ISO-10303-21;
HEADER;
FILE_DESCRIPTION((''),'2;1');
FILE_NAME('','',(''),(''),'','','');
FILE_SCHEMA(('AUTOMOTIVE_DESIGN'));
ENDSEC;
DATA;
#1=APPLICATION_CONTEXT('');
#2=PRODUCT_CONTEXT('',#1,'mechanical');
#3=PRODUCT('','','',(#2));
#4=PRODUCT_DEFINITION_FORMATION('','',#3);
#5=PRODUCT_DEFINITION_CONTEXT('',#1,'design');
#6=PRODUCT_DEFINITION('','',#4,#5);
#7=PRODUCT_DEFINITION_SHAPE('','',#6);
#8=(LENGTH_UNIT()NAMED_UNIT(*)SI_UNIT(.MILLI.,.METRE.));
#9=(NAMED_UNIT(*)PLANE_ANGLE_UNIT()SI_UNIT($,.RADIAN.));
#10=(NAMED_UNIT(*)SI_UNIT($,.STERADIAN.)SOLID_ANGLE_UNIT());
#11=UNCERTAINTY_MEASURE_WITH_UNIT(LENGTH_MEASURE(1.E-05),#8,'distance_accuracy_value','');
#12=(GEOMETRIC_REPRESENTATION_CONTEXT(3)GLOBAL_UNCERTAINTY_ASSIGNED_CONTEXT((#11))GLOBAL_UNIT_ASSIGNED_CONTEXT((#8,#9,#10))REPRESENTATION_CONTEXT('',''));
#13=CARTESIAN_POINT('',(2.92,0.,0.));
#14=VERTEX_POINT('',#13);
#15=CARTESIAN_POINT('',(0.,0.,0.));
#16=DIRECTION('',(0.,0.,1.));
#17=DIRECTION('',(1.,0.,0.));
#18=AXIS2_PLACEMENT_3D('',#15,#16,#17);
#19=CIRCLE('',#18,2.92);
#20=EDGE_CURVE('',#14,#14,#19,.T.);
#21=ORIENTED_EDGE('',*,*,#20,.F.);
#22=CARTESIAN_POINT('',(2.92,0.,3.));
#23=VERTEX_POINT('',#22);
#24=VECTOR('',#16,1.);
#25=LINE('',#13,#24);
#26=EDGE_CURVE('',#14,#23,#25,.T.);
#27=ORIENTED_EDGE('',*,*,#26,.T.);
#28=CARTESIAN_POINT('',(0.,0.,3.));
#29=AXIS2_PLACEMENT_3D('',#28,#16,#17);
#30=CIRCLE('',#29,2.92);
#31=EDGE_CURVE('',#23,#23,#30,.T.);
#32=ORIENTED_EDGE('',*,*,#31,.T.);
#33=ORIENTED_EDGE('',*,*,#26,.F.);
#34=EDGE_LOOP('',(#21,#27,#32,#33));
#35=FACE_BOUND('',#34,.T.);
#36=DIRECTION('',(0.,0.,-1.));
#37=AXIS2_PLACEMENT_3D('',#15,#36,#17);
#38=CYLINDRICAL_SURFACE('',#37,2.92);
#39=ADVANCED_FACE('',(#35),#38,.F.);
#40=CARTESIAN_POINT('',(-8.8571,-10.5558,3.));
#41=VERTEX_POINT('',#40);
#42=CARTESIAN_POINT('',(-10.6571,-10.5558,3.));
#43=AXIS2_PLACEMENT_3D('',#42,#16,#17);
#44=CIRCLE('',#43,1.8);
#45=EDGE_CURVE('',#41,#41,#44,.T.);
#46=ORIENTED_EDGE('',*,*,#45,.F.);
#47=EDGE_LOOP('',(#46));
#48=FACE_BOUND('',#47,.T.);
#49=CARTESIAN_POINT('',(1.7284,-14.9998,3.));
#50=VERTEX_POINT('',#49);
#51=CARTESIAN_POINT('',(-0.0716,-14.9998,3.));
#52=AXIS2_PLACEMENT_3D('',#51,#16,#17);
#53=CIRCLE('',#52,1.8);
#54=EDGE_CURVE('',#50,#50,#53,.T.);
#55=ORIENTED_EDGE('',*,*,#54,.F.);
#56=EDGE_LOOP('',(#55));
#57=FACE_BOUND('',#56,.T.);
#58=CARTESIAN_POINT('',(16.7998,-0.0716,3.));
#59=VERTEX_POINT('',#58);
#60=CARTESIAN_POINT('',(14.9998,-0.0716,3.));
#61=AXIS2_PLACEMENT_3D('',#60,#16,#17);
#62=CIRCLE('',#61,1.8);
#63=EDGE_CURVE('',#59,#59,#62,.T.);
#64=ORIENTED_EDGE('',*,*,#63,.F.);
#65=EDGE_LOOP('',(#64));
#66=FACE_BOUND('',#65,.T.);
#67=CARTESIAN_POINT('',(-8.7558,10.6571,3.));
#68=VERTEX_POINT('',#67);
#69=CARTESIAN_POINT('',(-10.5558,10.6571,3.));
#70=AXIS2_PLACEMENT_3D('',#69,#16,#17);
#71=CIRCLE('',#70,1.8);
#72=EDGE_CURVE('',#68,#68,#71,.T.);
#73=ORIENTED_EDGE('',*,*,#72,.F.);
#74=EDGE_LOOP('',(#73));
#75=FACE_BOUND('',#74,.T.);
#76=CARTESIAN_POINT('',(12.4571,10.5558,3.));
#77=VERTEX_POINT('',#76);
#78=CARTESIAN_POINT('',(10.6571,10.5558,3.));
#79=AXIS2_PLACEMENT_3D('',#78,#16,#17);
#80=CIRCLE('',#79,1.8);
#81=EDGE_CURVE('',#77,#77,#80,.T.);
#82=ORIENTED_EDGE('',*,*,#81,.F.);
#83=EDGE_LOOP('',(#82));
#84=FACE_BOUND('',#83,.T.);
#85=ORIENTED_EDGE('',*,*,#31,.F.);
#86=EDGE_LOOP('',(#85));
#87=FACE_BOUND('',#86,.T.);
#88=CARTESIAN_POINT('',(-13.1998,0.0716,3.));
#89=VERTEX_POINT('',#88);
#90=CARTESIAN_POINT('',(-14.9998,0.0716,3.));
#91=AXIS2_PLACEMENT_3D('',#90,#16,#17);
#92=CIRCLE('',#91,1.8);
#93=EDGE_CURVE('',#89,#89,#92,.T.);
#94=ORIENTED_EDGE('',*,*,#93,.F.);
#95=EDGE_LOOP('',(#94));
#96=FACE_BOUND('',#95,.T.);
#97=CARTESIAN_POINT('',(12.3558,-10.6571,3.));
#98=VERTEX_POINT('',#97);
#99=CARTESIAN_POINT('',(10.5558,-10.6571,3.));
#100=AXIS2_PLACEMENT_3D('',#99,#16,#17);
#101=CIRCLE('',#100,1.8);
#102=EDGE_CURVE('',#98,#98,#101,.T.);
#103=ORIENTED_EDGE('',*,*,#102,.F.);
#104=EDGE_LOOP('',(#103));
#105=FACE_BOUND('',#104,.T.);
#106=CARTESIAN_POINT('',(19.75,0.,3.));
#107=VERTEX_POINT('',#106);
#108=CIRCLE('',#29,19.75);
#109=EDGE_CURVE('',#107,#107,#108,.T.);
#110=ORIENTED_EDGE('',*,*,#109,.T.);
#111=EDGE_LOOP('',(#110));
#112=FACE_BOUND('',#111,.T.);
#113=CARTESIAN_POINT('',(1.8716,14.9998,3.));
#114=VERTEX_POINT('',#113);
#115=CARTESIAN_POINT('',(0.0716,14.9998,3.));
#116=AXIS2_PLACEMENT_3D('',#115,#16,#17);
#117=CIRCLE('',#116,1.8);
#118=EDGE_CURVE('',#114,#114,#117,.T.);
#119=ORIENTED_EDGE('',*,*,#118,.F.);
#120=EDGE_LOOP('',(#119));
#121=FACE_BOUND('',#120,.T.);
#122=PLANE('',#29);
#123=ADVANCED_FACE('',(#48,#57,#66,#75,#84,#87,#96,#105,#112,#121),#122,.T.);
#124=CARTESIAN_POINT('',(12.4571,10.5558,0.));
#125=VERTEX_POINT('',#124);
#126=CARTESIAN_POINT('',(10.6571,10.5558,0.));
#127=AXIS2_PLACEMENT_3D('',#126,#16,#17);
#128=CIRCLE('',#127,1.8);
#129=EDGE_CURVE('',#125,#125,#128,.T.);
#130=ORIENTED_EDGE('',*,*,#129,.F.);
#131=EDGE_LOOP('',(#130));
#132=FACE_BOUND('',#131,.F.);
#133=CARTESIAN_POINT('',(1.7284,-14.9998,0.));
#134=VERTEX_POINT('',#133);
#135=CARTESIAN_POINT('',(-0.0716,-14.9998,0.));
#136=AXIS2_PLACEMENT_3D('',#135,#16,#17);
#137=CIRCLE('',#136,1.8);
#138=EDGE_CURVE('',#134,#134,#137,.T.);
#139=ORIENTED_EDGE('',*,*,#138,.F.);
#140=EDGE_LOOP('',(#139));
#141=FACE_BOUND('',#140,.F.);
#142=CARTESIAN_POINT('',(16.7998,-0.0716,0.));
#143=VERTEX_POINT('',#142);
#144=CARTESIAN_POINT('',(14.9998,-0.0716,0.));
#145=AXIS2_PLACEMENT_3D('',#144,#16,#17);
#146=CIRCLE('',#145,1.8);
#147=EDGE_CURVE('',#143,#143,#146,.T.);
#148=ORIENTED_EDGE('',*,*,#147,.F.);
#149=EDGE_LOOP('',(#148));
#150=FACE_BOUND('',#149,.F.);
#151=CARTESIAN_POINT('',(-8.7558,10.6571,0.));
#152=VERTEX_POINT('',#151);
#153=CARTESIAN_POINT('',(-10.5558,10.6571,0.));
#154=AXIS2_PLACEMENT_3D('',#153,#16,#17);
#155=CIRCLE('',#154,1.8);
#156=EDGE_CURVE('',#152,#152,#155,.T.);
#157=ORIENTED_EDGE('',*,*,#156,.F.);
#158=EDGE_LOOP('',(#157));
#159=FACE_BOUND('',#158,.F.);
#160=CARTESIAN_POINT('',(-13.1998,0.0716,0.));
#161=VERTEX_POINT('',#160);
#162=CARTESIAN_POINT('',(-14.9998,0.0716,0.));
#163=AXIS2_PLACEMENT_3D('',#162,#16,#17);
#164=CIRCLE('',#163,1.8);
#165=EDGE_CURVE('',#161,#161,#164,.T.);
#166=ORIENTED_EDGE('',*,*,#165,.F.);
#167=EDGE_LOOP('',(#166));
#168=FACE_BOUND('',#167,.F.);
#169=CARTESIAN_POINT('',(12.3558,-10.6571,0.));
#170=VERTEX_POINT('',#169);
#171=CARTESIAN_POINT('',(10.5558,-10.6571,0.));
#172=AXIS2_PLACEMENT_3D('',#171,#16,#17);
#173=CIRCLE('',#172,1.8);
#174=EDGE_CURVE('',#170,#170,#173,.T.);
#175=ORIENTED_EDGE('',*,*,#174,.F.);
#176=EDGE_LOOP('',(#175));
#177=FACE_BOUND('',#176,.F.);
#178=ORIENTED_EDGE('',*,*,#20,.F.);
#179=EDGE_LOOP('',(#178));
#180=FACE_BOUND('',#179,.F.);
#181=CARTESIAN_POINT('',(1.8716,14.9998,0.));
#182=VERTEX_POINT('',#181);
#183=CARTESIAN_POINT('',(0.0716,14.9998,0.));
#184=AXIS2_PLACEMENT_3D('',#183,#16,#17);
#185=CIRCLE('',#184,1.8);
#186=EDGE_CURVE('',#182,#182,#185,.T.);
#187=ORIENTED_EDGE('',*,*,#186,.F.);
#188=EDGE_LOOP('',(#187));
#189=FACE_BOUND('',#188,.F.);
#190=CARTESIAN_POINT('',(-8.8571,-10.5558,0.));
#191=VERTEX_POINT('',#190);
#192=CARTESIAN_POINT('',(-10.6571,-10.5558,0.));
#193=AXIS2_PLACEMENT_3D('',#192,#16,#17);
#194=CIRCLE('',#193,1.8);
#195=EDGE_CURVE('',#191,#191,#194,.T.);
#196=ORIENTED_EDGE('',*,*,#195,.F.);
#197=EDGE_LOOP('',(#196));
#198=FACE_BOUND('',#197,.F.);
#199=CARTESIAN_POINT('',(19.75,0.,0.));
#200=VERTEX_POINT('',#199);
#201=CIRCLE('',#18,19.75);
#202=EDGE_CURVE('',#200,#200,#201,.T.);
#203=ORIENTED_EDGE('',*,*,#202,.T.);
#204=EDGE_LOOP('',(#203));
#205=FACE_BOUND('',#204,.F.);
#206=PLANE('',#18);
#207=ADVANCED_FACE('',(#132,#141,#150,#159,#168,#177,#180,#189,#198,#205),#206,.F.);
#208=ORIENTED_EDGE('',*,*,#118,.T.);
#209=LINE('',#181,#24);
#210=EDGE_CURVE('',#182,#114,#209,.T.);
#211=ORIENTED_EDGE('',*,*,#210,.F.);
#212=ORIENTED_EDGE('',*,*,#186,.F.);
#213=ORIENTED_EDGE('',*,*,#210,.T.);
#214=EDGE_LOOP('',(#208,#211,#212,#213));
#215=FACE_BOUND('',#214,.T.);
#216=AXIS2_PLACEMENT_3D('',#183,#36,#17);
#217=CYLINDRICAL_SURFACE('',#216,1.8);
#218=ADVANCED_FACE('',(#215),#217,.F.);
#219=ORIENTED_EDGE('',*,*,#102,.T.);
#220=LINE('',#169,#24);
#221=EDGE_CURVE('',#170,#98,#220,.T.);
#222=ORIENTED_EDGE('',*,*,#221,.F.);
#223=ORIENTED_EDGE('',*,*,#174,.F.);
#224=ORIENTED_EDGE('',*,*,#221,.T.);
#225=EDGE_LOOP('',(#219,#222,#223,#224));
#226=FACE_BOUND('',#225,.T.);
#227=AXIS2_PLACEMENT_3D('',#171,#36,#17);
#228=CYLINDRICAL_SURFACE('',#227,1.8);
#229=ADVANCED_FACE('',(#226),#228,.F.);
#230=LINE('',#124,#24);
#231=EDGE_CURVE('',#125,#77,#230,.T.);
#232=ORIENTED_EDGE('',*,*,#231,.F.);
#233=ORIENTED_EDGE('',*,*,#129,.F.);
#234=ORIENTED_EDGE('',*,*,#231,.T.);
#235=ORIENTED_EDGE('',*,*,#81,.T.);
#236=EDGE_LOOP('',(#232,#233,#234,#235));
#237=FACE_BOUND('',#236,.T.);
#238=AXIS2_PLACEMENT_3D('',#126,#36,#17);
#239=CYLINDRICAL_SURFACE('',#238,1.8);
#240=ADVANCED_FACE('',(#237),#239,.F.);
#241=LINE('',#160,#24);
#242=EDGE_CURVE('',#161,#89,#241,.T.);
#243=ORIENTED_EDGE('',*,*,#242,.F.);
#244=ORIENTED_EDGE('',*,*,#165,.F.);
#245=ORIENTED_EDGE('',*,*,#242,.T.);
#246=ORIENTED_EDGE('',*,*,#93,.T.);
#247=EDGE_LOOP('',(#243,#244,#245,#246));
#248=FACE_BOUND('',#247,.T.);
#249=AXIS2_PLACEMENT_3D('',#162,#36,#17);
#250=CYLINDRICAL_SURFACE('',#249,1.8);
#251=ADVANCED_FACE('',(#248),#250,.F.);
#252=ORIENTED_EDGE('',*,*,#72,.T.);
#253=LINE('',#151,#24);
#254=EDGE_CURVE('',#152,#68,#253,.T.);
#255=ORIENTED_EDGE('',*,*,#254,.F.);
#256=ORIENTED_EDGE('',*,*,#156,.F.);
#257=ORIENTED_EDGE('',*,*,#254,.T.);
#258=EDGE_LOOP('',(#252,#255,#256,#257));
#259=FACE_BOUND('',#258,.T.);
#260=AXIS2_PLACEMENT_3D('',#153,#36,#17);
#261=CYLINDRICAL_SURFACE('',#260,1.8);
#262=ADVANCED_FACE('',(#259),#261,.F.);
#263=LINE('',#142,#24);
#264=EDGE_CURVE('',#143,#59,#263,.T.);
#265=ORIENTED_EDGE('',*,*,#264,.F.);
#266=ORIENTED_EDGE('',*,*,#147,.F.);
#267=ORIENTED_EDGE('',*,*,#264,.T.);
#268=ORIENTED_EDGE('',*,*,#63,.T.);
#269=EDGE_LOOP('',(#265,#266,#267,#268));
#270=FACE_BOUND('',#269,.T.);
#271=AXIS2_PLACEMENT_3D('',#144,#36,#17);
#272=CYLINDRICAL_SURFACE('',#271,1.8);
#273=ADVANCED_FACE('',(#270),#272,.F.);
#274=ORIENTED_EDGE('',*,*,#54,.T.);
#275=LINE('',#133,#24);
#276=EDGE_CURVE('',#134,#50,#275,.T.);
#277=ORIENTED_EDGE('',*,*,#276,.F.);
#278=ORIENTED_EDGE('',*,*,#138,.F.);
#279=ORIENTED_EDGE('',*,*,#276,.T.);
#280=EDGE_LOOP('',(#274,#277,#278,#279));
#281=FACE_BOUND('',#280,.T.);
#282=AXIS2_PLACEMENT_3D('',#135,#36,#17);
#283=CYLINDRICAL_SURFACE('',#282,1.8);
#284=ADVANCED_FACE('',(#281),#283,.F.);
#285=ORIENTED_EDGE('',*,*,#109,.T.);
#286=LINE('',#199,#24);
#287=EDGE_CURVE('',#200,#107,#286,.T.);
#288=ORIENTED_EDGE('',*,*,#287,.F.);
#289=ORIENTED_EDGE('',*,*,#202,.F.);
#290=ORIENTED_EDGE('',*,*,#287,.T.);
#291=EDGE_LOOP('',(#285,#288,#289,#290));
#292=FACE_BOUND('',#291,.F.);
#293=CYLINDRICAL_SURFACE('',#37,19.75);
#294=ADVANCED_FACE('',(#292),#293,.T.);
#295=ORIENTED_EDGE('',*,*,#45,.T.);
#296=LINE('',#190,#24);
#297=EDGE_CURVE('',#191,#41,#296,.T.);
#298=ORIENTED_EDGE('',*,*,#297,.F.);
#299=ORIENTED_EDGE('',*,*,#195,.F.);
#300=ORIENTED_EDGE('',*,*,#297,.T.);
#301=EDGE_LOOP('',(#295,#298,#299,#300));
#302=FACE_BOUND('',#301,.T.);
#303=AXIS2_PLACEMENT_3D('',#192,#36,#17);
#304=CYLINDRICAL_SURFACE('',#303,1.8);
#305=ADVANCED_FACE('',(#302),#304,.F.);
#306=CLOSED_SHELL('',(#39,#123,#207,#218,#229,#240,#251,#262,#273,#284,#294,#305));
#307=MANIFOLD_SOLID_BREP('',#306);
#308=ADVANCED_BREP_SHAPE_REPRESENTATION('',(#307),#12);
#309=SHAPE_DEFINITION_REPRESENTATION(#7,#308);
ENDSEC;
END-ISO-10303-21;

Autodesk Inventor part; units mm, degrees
ref_plane "YZ Plane" through (0, 0, 0) normal (1, 0, 0) x (0, 1, 0)
ref_plane "XZ Plane" through (0, 0, 0) normal (0, 1, 0) x (-1, 0, 0)
ref_plane "XY Plane" through (0, 0, 0) normal (0, 0, 1) x (1, 0, 0)
ref_plane "Work Plane1" through (0, 0, 0) normal (0, 0, 1) x (1, 0, 0)
sketch "Sketch1" plane through (0, 0, 0) normal (0, 0, 1) x (1, 0, 0)
  circle A0 centre (0, 0) radius 19.75 projected
  circle A1 centre (-14.9998, 0.0716) radius 1.8 projected
  circle A2 centre (0, 0) radius 5.5 projected
  circle A3 centre (-10.6571, -10.5558) radius 1.8 projected
  circle A4 centre (-0.0716, -14.9998) radius 1.8 projected
  circle A5 centre (10.5558, -10.6571) radius 1.8 projected
  circle A6 centre (14.9998, -0.0716) radius 1.8 projected
  circle A7 centre (10.6571, 10.5558) radius 1.8 projected
  circle A8 centre (0.0716, 14.9998) radius 1.8 projected
  circle A9 centre (-10.5558, 10.6571) radius 1.8 projected
  circle A10 centre (0, 0) radius 2.92
  point P0 (0, 0)
  point P1 (1.2639, -2.6323)
extrude "Extrusion1" add sketch "Sketch1" along normal blind 3 contours A0 | A2
properties part number "servo flange"
